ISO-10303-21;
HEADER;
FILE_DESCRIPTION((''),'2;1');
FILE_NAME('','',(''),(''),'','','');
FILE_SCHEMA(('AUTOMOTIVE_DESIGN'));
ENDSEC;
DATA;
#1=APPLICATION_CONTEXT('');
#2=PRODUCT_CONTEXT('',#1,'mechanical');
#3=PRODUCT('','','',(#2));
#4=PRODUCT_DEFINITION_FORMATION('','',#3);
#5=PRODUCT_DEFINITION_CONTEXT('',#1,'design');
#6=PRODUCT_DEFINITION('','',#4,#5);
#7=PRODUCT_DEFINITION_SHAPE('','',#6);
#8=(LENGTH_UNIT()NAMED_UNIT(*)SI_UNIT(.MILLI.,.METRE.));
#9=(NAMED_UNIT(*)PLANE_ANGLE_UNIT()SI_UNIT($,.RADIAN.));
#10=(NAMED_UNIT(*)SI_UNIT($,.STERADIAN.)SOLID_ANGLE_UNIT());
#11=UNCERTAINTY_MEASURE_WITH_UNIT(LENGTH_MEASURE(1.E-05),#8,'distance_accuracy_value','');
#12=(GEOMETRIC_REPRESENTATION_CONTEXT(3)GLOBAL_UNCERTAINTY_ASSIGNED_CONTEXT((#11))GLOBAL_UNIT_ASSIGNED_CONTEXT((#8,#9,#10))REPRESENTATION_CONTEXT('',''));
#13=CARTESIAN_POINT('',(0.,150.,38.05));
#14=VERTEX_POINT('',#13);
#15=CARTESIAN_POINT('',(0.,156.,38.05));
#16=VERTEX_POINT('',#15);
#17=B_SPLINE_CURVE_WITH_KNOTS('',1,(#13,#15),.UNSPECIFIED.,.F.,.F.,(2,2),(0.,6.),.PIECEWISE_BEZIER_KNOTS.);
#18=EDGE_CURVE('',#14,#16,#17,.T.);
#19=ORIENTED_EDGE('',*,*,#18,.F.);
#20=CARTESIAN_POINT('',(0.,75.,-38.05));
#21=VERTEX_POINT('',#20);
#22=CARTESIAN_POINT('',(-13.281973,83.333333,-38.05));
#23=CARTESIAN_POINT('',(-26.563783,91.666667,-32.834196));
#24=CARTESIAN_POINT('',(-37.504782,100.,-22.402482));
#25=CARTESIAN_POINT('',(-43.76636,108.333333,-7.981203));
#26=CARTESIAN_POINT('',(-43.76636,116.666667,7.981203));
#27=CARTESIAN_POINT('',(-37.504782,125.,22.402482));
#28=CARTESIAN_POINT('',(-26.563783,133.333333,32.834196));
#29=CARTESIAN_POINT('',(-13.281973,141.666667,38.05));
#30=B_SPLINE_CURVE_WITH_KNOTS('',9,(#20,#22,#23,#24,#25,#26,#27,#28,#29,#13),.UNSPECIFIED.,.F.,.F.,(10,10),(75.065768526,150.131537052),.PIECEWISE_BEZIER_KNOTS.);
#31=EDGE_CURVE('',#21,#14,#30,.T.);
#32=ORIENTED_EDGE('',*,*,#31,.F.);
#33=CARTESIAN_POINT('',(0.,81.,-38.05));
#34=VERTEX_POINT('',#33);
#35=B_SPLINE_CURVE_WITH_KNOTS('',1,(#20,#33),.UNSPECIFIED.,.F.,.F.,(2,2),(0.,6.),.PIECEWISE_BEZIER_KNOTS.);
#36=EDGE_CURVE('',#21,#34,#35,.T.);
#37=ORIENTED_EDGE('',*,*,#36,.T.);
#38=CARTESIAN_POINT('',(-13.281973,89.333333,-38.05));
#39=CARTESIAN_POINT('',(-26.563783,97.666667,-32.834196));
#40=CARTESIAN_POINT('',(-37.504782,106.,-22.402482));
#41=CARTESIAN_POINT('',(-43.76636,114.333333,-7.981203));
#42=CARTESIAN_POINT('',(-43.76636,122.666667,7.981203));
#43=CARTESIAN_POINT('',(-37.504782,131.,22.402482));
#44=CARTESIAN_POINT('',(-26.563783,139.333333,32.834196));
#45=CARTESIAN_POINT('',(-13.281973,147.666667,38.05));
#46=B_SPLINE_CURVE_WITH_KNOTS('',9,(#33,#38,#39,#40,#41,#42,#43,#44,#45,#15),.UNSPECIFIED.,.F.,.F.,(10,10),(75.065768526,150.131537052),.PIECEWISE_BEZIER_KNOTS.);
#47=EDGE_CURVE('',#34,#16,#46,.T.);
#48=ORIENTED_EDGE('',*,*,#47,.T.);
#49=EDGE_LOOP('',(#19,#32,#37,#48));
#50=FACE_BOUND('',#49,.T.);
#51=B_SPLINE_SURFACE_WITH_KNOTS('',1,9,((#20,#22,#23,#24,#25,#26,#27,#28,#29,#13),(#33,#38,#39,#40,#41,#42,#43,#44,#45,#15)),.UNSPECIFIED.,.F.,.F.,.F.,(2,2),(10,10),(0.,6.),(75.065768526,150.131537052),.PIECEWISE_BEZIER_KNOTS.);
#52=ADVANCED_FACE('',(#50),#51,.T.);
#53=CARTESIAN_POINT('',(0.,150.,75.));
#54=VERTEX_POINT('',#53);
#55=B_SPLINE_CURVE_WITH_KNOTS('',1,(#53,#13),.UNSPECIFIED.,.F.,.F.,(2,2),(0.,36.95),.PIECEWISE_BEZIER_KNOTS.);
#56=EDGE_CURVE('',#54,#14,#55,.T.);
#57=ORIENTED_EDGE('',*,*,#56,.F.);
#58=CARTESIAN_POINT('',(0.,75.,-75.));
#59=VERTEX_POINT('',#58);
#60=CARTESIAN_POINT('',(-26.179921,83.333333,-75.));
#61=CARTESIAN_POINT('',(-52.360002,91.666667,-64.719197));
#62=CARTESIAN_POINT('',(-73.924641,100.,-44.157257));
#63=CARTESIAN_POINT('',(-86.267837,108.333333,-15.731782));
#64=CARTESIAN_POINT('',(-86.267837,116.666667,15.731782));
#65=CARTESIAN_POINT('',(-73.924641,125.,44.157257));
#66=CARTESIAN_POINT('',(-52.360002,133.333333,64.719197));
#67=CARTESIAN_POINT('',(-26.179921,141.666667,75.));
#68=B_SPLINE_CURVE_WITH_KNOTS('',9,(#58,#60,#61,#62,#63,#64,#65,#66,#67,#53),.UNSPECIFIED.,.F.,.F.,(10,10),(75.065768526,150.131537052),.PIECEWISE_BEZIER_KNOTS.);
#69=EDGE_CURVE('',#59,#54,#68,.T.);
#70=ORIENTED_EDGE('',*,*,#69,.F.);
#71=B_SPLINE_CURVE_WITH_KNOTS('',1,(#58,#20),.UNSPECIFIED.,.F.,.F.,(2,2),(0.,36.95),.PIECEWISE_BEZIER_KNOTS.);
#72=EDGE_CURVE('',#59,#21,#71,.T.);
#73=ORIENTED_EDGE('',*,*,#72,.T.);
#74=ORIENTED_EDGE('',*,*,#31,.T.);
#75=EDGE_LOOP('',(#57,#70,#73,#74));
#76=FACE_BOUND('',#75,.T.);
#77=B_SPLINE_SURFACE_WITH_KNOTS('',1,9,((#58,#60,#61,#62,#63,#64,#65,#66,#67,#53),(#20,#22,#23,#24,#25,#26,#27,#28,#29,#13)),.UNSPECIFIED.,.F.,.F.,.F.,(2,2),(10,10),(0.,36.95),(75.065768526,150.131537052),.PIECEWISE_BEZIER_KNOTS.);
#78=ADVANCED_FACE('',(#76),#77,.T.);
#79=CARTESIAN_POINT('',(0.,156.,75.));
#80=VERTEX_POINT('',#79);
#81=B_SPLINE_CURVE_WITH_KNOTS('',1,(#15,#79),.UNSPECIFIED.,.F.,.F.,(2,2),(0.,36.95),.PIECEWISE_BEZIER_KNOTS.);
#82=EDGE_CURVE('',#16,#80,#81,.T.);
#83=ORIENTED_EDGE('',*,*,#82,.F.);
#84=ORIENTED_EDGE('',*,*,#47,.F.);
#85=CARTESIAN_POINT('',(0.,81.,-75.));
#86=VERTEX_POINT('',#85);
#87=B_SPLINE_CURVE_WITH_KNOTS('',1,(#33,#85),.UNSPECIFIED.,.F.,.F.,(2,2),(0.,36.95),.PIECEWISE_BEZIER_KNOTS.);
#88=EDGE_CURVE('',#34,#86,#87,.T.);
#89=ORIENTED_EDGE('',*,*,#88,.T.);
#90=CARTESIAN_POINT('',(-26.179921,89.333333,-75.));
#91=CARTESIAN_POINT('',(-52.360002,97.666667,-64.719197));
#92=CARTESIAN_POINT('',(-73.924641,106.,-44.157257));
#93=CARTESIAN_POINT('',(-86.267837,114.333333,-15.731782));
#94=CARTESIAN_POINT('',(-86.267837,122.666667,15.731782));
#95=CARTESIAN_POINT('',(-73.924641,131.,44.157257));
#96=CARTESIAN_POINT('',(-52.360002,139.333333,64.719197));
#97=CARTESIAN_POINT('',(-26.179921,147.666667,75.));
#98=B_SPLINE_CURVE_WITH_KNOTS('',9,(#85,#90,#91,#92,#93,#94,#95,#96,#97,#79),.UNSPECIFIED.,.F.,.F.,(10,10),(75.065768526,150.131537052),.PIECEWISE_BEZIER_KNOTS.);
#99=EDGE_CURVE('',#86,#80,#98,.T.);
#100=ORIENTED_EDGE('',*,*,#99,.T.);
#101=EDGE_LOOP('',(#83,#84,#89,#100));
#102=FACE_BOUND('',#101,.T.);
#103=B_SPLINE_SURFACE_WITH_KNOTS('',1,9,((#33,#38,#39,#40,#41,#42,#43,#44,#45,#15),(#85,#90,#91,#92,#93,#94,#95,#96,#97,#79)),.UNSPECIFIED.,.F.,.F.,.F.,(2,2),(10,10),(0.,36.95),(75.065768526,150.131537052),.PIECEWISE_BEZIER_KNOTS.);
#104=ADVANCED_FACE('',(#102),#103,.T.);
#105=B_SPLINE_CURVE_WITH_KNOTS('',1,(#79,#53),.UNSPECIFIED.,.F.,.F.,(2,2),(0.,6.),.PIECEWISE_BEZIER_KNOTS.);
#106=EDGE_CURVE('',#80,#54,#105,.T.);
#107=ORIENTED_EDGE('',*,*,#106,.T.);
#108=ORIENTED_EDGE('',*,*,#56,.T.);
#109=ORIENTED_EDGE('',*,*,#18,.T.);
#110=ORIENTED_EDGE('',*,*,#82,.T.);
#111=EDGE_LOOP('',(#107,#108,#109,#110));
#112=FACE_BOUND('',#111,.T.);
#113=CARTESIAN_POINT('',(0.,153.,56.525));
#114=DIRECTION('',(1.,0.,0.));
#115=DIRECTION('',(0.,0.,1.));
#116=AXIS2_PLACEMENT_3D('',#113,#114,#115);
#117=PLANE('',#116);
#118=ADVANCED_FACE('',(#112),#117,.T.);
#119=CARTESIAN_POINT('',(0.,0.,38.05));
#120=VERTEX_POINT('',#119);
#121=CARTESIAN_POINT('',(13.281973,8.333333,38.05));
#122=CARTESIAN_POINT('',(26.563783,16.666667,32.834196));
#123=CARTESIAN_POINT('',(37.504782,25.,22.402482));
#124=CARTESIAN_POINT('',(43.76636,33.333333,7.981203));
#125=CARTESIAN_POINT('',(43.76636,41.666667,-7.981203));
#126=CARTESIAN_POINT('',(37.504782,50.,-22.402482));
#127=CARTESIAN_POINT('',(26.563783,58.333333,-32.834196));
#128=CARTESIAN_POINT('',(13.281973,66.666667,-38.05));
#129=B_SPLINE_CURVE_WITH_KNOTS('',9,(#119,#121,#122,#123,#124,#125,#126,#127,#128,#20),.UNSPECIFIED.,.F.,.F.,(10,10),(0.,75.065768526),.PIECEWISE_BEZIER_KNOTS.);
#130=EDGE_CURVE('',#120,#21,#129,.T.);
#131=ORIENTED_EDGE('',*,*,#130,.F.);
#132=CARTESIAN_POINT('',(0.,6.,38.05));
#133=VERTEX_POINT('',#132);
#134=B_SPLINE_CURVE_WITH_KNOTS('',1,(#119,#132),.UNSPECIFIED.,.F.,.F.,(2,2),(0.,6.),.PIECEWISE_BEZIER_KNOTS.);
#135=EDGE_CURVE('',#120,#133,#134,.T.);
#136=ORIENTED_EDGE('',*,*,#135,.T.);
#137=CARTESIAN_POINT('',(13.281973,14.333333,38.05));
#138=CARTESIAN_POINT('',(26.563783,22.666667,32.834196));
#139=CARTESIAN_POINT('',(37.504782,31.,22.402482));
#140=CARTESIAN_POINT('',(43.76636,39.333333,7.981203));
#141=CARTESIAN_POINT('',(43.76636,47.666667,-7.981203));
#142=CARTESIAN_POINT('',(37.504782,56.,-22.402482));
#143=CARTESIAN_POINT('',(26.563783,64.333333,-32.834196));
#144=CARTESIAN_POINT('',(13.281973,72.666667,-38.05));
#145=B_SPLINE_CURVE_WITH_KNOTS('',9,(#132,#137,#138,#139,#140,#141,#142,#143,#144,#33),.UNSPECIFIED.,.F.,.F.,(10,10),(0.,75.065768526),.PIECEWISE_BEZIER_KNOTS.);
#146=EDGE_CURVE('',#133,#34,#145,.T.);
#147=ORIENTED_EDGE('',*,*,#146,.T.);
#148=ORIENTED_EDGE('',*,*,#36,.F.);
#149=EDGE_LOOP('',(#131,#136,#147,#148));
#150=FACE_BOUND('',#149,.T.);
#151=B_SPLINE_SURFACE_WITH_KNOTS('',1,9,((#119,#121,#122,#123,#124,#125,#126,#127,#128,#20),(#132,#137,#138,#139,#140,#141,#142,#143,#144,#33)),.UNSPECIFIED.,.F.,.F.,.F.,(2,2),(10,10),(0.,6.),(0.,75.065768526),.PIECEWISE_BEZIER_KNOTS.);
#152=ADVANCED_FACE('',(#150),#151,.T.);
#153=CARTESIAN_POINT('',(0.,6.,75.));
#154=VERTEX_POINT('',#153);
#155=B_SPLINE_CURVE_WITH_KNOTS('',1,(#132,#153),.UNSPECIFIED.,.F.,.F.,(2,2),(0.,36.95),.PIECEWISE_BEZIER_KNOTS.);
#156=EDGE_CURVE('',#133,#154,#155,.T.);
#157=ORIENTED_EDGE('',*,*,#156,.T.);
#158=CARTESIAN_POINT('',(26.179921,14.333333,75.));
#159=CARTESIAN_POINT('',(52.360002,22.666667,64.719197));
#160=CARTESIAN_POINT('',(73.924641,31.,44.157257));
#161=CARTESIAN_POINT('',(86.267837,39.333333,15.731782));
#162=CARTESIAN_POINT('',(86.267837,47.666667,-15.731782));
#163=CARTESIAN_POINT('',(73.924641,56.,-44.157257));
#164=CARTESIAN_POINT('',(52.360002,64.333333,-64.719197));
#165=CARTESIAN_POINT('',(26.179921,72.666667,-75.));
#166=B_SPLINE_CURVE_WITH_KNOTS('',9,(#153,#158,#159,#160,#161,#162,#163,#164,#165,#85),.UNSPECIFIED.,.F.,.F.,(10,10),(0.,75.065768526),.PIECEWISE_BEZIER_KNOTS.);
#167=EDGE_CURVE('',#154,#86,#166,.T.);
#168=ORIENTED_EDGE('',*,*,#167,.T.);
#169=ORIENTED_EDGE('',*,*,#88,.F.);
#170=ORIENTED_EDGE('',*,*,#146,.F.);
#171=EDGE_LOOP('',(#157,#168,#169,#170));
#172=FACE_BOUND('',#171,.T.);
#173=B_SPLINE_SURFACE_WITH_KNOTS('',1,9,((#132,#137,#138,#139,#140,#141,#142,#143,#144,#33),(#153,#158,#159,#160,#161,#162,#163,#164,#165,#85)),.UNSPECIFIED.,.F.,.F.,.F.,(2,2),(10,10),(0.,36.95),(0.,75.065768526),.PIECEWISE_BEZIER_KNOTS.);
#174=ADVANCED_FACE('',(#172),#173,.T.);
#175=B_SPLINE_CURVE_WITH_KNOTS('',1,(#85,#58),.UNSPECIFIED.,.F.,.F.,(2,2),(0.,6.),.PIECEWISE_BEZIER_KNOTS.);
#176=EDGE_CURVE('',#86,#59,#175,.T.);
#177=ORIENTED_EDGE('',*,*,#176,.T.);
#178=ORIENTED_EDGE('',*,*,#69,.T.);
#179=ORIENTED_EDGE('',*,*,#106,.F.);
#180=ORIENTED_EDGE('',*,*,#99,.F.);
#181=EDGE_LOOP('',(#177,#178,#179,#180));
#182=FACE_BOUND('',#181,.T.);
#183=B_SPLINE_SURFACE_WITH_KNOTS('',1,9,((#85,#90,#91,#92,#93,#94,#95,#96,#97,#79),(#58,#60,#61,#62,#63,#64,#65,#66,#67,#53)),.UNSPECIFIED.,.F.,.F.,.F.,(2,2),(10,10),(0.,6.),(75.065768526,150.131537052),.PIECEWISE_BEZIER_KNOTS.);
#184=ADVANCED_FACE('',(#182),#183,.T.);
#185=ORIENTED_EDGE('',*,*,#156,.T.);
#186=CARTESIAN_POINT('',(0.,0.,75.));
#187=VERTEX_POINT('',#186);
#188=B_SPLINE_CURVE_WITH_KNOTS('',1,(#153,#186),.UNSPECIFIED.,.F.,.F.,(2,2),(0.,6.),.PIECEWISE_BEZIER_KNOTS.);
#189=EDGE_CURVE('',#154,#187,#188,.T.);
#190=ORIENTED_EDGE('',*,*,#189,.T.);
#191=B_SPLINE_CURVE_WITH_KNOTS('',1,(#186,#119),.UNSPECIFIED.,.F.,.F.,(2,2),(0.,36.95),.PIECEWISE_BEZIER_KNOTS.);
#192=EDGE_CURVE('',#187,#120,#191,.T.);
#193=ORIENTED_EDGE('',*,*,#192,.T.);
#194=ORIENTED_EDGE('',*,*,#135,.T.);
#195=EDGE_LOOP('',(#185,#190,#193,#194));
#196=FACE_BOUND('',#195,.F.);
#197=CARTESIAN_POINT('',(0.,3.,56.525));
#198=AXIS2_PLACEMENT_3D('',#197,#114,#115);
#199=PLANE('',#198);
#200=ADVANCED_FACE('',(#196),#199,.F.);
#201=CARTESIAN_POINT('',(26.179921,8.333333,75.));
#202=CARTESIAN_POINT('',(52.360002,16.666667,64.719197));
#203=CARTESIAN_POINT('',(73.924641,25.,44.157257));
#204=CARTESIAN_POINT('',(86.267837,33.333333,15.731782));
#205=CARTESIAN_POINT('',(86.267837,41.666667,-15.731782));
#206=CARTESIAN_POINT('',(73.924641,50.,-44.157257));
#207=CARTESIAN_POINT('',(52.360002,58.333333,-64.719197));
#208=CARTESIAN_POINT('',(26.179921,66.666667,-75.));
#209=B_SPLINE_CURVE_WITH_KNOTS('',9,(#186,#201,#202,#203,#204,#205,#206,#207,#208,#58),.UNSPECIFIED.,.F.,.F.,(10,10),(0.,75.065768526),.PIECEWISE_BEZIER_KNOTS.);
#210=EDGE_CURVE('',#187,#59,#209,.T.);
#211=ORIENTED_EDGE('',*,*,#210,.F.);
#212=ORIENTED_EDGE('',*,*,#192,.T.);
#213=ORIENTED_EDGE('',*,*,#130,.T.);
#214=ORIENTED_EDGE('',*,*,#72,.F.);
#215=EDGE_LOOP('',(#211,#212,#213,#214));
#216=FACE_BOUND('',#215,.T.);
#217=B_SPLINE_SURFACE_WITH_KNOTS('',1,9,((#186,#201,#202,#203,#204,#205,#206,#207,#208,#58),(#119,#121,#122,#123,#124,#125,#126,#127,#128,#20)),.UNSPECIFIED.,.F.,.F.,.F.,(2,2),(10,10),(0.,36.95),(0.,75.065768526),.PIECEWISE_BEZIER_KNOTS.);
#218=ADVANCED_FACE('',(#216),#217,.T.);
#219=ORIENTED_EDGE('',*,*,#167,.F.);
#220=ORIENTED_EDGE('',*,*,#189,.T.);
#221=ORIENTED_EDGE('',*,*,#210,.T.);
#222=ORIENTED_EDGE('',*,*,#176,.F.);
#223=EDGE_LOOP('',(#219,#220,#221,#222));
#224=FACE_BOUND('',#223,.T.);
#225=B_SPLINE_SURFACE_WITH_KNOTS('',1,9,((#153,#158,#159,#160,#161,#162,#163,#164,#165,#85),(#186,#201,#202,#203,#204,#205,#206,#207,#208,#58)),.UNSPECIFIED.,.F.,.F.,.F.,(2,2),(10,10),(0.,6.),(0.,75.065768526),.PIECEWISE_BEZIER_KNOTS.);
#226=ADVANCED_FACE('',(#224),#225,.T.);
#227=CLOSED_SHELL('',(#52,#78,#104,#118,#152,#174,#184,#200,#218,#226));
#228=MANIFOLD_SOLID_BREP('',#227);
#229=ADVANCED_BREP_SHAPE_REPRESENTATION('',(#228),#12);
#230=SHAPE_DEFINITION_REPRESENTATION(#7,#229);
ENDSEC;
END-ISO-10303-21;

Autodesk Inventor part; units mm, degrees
ref_plane "YZ Plane" through (0, 0, 0) normal (1, 0, 0) x (0, 1, 0)
ref_plane "XY Plane" through (0, 0, 0) normal (0, 0, 1) x (1, 0, 0)
sketch "Sketch1" plane through (0, 0, 0) normal (0, 1, 0) x (-1, 0, 0)
  circle A0 centre (0, 0) radius 38.05 construction
  line L0 (0, 0) -> (0, 38.05) construction
  dimension "d0" = 76.1
ref_plane "Work Plane1" through (0, 6, 0) normal (0, 1, 0) x (-1, 0, 0)
sketch "Sketch2" plane through (0, 6, 0) normal (0, 1, 0) x (-1, 0, 0)
  circle A0 centre (0, 0) radius 75 construction
  line L0 (0, 0) -> (0, 75) construction
  circle A1 centre (0, 0) radius 38.05 construction
  dimension "d2" = 150
  dimension "d12" = 76.1
sketch "Sketch3" plane through (0, 0, 0) normal (1, 0, 0) x (0, 1, 0)
  line L0 (0, 0) -> (150, 0) construction
  line L1 (0, 38.05) -> (6, 38.05)
  line L2 (6, 38.05) -> (6, 75)
  line L3 (6, 75) -> (0, 75)
  line L4 (0, 75) -> (0, 38.05)
  dimension "d3" = 150
  dimension "d13" = 38.05
  dimension "d14" = 75
  dimension "d15" = 6
coil "Coil1" sketch "Sketch3" operation add axis through (0, 0, 0) along (0, 1, 0) pitch 150 turns 1 hand right
equation "\"d0\" = ø_Int_Espira_01"
equation "\"d2\" = ø_Ext_Espira_01"
equation "\"d12\" = ø_Int_Espira_01"
equation "\"d13\" = 0.5 * ø_Int_Espira_01"
equation "\"d14\" = 0.5 * ø_Ext_Espira_01"
equation "\"d15\" = Espesor_Espira_01"
equation "\"ø_Ext_Espira_01\" = 150"
equation "\"ø_Int_Espira_01\" = 76.1"
equation "\"Espesor_Espira_01\" = 6"
equation "\"d1\" = Espesor_Espira_01"
properties part number "Espira_01"
